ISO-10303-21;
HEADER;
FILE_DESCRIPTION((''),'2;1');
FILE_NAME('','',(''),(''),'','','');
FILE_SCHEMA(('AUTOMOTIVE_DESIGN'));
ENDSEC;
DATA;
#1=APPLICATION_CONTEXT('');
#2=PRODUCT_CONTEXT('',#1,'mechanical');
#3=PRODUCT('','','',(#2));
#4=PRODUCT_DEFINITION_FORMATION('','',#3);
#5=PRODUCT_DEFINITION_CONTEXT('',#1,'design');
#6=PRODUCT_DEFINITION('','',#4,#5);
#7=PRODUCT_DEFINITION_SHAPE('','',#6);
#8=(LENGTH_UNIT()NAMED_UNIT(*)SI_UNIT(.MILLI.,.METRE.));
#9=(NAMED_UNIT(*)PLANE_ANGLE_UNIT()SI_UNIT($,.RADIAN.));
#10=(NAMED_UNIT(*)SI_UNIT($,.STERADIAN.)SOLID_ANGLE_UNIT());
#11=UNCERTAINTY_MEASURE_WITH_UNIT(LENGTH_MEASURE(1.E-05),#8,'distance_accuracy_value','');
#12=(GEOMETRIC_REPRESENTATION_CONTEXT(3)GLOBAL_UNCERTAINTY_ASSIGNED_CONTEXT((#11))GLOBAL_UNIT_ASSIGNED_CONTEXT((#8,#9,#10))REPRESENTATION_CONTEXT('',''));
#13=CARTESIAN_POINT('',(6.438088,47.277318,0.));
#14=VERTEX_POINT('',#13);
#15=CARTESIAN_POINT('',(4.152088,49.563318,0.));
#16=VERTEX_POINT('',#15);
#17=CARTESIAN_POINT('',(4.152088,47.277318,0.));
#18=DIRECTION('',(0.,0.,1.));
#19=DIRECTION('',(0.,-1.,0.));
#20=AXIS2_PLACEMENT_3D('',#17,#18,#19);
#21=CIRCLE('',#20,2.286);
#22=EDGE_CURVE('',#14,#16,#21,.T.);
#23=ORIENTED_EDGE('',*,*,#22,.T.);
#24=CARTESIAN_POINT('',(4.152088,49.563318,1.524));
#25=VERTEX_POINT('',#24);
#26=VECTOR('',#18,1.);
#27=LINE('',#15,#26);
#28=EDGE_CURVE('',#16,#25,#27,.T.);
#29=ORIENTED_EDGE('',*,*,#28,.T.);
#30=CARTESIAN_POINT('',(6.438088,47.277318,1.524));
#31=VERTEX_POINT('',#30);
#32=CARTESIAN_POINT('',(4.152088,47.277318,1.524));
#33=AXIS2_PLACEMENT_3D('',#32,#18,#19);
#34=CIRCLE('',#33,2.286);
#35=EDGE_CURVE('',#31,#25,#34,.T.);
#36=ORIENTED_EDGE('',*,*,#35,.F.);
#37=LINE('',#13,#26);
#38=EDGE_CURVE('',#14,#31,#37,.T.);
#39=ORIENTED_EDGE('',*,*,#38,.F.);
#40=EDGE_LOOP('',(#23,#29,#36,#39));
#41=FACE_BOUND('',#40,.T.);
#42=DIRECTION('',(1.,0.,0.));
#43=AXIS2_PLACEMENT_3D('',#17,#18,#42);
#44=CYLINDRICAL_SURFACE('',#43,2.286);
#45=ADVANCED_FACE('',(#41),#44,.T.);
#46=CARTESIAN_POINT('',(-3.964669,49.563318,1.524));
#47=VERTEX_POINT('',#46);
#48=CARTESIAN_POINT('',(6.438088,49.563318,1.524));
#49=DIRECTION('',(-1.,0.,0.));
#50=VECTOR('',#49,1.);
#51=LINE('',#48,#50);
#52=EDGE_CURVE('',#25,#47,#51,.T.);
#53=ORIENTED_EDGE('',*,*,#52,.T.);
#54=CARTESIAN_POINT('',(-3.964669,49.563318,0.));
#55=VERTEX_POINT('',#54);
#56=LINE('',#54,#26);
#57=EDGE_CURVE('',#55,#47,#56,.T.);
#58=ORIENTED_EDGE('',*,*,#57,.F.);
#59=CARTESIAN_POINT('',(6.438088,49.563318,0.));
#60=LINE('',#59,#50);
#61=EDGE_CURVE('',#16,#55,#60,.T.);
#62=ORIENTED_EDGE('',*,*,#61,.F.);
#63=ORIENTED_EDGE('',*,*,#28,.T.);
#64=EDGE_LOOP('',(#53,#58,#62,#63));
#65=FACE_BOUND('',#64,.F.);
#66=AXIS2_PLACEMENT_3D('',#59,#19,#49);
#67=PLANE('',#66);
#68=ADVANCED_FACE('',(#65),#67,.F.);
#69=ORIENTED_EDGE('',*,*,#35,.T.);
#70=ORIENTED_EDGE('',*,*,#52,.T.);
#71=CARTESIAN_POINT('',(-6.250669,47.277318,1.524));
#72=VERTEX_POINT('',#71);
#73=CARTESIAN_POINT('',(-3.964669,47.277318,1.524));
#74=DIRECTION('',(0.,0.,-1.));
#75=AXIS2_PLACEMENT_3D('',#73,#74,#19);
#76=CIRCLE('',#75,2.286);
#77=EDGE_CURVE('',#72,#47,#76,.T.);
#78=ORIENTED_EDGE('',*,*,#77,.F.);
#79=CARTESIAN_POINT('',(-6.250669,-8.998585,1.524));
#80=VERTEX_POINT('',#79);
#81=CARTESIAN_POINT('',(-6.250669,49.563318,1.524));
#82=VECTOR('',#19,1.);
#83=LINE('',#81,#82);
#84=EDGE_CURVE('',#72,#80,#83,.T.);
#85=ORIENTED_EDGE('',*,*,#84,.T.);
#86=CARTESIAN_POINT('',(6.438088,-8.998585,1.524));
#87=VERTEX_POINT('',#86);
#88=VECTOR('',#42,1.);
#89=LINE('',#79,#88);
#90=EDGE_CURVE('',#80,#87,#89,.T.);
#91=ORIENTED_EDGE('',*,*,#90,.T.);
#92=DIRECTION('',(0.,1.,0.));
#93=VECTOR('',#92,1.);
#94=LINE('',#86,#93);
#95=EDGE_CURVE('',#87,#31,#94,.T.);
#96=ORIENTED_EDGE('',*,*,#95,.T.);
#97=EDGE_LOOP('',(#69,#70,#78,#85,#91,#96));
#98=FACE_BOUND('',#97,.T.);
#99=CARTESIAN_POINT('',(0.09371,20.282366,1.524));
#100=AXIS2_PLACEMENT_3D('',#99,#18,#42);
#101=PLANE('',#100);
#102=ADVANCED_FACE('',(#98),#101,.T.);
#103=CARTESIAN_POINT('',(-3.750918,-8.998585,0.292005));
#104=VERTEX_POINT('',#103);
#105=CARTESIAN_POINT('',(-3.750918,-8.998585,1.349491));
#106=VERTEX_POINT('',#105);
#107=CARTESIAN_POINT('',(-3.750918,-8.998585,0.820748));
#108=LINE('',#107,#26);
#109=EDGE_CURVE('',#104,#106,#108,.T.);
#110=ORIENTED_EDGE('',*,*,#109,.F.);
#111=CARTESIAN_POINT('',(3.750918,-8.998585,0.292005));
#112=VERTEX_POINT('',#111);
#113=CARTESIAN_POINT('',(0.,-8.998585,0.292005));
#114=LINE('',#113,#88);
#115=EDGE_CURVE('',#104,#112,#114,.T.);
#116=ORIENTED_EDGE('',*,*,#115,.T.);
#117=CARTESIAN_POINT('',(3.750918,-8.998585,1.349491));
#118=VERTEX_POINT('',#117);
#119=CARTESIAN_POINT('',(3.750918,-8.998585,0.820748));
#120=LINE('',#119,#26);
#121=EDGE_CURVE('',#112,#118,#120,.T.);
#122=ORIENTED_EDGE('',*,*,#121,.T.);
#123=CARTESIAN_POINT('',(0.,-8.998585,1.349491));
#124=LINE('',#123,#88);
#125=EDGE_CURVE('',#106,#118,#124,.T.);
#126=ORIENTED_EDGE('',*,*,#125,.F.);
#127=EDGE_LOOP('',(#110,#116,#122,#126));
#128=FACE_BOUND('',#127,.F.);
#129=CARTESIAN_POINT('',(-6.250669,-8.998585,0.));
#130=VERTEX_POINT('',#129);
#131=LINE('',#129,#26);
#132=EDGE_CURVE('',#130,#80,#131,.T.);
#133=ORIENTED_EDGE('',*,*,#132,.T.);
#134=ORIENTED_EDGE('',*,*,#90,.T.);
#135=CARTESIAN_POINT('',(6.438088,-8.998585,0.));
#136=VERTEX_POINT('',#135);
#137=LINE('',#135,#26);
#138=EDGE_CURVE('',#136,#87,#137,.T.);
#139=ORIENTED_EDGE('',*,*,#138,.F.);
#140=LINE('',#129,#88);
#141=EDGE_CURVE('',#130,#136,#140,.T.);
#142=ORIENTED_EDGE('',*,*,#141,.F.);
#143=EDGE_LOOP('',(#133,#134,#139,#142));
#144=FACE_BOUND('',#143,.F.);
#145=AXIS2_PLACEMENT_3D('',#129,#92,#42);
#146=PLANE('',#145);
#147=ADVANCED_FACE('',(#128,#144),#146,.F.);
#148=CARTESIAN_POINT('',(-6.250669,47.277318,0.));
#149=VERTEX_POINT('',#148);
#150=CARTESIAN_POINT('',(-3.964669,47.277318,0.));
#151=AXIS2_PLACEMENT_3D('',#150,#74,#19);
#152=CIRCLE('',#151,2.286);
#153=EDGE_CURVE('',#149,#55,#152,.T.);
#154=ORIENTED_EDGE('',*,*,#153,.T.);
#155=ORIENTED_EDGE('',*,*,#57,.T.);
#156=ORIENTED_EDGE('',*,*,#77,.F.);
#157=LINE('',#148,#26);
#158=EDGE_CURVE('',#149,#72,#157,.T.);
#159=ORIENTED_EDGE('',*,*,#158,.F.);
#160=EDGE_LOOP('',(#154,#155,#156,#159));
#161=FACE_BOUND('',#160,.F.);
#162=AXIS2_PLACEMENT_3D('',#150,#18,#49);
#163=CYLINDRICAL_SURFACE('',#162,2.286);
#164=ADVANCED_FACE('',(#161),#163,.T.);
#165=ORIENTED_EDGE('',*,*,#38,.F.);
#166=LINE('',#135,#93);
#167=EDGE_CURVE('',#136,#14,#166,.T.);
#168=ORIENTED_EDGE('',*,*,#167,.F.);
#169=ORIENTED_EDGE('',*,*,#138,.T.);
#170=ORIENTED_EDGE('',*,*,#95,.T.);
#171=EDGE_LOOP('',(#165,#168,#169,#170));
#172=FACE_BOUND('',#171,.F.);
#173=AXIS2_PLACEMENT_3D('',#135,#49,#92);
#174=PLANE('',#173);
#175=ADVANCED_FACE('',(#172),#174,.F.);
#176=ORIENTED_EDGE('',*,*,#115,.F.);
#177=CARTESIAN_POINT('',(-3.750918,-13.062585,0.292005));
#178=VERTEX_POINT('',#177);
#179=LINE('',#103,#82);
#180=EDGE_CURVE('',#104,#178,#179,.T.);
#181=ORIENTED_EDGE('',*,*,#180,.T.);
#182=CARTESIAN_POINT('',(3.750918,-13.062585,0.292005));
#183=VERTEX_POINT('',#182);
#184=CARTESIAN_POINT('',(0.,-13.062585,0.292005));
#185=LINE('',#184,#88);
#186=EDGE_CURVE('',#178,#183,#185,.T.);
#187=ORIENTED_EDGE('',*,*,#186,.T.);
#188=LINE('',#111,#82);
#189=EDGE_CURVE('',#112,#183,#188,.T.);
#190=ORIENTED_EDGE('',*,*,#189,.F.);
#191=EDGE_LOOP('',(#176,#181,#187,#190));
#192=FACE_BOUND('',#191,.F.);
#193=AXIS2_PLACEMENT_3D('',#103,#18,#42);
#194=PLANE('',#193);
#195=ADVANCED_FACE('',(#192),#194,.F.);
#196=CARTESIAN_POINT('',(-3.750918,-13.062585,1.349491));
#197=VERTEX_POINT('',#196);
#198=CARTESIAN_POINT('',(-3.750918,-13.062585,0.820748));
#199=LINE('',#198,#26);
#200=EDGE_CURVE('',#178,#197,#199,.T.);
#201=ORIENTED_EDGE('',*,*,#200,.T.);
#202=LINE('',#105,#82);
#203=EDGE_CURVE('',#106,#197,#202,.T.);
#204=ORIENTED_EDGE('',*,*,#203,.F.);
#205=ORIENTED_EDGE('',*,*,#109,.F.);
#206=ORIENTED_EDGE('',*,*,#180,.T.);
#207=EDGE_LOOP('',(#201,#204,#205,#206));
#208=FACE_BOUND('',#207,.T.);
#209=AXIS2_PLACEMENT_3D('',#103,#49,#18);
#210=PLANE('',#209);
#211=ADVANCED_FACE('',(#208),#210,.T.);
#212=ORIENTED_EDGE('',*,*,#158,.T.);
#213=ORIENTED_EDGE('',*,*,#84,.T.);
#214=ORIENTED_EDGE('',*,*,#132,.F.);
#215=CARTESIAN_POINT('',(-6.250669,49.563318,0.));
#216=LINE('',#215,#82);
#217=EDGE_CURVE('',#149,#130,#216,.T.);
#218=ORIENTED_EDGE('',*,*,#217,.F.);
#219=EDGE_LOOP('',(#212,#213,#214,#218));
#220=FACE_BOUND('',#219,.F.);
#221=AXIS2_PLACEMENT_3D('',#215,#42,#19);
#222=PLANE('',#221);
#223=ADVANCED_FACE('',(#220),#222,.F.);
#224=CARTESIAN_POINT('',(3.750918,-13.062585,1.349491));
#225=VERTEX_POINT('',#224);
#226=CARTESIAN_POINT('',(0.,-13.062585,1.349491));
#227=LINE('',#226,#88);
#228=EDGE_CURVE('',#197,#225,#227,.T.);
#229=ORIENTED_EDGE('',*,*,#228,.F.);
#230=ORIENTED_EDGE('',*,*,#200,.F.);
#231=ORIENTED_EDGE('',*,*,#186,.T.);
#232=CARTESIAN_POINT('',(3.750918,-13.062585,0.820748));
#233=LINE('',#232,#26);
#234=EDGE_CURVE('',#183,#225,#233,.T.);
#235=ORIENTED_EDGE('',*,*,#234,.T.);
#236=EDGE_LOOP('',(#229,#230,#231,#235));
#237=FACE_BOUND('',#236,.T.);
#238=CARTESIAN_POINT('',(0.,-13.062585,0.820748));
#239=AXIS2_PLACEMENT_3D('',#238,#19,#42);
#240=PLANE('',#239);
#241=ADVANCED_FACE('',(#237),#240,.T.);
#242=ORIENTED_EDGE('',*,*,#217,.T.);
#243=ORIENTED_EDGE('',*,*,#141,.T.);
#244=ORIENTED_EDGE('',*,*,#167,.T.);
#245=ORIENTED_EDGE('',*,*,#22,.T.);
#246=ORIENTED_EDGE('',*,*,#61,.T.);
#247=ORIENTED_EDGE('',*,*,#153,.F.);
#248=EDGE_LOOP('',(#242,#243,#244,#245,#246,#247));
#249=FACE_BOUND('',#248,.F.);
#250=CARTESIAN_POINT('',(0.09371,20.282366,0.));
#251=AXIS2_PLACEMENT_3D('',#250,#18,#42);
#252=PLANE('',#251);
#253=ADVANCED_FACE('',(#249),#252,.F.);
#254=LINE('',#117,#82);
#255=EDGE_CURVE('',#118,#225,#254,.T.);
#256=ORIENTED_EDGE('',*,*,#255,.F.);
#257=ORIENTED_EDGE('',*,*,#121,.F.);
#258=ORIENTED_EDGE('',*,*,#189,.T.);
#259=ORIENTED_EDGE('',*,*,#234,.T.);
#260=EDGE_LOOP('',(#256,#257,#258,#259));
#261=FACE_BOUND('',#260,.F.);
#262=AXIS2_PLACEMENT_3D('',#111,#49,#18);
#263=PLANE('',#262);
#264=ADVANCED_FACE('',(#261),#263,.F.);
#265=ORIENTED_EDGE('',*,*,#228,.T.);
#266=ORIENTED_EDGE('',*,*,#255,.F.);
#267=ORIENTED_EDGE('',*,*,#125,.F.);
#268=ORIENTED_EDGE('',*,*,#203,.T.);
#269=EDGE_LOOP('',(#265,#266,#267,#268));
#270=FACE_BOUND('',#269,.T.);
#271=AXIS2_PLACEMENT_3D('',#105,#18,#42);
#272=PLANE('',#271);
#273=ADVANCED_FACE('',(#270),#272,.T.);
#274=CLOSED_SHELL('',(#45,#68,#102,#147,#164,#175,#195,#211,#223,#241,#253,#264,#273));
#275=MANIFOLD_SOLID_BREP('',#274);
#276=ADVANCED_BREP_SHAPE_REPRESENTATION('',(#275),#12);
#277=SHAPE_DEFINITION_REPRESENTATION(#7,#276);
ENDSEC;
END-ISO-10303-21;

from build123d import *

# Parameters (mm, degrees)
F1_DEPTH = 1.524
F2_R     = 2.286
F3_W     = 7.501836
F3_H     = 1.057486
F4_DEPTH = 4.064


with BuildPart() as f1:
    # F0 (on Top) → F1 (new body)
    with BuildSketch(Plane.XY):
        Polygon((-6.250669, 49.563318), (-6.250669, -8.998585), (-4.305575, -8.998585), (4.510465, -8.998585), (6.438088, -8.998585), (6.438088, 49.563318), align=None)
    extrude(amount=F1_DEPTH)

    # F2
    f2_edges = [f1.edges().sort_by_distance(p)[0] for p in [
        (-6.250669, 49.563318, 0.762),
        (6.438088, 49.563318, 0.762),
    ]]
    fillet(f2_edges, radius=F2_R)

    # F3 (on face) → F4 (join)
    with BuildSketch(Plane.XZ.offset(8.998585)):
        with Locations((0, 0.820748)):
            Rectangle(F3_W, F3_H)
    extrude(amount=F4_DEPTH)


solid = f1.part
